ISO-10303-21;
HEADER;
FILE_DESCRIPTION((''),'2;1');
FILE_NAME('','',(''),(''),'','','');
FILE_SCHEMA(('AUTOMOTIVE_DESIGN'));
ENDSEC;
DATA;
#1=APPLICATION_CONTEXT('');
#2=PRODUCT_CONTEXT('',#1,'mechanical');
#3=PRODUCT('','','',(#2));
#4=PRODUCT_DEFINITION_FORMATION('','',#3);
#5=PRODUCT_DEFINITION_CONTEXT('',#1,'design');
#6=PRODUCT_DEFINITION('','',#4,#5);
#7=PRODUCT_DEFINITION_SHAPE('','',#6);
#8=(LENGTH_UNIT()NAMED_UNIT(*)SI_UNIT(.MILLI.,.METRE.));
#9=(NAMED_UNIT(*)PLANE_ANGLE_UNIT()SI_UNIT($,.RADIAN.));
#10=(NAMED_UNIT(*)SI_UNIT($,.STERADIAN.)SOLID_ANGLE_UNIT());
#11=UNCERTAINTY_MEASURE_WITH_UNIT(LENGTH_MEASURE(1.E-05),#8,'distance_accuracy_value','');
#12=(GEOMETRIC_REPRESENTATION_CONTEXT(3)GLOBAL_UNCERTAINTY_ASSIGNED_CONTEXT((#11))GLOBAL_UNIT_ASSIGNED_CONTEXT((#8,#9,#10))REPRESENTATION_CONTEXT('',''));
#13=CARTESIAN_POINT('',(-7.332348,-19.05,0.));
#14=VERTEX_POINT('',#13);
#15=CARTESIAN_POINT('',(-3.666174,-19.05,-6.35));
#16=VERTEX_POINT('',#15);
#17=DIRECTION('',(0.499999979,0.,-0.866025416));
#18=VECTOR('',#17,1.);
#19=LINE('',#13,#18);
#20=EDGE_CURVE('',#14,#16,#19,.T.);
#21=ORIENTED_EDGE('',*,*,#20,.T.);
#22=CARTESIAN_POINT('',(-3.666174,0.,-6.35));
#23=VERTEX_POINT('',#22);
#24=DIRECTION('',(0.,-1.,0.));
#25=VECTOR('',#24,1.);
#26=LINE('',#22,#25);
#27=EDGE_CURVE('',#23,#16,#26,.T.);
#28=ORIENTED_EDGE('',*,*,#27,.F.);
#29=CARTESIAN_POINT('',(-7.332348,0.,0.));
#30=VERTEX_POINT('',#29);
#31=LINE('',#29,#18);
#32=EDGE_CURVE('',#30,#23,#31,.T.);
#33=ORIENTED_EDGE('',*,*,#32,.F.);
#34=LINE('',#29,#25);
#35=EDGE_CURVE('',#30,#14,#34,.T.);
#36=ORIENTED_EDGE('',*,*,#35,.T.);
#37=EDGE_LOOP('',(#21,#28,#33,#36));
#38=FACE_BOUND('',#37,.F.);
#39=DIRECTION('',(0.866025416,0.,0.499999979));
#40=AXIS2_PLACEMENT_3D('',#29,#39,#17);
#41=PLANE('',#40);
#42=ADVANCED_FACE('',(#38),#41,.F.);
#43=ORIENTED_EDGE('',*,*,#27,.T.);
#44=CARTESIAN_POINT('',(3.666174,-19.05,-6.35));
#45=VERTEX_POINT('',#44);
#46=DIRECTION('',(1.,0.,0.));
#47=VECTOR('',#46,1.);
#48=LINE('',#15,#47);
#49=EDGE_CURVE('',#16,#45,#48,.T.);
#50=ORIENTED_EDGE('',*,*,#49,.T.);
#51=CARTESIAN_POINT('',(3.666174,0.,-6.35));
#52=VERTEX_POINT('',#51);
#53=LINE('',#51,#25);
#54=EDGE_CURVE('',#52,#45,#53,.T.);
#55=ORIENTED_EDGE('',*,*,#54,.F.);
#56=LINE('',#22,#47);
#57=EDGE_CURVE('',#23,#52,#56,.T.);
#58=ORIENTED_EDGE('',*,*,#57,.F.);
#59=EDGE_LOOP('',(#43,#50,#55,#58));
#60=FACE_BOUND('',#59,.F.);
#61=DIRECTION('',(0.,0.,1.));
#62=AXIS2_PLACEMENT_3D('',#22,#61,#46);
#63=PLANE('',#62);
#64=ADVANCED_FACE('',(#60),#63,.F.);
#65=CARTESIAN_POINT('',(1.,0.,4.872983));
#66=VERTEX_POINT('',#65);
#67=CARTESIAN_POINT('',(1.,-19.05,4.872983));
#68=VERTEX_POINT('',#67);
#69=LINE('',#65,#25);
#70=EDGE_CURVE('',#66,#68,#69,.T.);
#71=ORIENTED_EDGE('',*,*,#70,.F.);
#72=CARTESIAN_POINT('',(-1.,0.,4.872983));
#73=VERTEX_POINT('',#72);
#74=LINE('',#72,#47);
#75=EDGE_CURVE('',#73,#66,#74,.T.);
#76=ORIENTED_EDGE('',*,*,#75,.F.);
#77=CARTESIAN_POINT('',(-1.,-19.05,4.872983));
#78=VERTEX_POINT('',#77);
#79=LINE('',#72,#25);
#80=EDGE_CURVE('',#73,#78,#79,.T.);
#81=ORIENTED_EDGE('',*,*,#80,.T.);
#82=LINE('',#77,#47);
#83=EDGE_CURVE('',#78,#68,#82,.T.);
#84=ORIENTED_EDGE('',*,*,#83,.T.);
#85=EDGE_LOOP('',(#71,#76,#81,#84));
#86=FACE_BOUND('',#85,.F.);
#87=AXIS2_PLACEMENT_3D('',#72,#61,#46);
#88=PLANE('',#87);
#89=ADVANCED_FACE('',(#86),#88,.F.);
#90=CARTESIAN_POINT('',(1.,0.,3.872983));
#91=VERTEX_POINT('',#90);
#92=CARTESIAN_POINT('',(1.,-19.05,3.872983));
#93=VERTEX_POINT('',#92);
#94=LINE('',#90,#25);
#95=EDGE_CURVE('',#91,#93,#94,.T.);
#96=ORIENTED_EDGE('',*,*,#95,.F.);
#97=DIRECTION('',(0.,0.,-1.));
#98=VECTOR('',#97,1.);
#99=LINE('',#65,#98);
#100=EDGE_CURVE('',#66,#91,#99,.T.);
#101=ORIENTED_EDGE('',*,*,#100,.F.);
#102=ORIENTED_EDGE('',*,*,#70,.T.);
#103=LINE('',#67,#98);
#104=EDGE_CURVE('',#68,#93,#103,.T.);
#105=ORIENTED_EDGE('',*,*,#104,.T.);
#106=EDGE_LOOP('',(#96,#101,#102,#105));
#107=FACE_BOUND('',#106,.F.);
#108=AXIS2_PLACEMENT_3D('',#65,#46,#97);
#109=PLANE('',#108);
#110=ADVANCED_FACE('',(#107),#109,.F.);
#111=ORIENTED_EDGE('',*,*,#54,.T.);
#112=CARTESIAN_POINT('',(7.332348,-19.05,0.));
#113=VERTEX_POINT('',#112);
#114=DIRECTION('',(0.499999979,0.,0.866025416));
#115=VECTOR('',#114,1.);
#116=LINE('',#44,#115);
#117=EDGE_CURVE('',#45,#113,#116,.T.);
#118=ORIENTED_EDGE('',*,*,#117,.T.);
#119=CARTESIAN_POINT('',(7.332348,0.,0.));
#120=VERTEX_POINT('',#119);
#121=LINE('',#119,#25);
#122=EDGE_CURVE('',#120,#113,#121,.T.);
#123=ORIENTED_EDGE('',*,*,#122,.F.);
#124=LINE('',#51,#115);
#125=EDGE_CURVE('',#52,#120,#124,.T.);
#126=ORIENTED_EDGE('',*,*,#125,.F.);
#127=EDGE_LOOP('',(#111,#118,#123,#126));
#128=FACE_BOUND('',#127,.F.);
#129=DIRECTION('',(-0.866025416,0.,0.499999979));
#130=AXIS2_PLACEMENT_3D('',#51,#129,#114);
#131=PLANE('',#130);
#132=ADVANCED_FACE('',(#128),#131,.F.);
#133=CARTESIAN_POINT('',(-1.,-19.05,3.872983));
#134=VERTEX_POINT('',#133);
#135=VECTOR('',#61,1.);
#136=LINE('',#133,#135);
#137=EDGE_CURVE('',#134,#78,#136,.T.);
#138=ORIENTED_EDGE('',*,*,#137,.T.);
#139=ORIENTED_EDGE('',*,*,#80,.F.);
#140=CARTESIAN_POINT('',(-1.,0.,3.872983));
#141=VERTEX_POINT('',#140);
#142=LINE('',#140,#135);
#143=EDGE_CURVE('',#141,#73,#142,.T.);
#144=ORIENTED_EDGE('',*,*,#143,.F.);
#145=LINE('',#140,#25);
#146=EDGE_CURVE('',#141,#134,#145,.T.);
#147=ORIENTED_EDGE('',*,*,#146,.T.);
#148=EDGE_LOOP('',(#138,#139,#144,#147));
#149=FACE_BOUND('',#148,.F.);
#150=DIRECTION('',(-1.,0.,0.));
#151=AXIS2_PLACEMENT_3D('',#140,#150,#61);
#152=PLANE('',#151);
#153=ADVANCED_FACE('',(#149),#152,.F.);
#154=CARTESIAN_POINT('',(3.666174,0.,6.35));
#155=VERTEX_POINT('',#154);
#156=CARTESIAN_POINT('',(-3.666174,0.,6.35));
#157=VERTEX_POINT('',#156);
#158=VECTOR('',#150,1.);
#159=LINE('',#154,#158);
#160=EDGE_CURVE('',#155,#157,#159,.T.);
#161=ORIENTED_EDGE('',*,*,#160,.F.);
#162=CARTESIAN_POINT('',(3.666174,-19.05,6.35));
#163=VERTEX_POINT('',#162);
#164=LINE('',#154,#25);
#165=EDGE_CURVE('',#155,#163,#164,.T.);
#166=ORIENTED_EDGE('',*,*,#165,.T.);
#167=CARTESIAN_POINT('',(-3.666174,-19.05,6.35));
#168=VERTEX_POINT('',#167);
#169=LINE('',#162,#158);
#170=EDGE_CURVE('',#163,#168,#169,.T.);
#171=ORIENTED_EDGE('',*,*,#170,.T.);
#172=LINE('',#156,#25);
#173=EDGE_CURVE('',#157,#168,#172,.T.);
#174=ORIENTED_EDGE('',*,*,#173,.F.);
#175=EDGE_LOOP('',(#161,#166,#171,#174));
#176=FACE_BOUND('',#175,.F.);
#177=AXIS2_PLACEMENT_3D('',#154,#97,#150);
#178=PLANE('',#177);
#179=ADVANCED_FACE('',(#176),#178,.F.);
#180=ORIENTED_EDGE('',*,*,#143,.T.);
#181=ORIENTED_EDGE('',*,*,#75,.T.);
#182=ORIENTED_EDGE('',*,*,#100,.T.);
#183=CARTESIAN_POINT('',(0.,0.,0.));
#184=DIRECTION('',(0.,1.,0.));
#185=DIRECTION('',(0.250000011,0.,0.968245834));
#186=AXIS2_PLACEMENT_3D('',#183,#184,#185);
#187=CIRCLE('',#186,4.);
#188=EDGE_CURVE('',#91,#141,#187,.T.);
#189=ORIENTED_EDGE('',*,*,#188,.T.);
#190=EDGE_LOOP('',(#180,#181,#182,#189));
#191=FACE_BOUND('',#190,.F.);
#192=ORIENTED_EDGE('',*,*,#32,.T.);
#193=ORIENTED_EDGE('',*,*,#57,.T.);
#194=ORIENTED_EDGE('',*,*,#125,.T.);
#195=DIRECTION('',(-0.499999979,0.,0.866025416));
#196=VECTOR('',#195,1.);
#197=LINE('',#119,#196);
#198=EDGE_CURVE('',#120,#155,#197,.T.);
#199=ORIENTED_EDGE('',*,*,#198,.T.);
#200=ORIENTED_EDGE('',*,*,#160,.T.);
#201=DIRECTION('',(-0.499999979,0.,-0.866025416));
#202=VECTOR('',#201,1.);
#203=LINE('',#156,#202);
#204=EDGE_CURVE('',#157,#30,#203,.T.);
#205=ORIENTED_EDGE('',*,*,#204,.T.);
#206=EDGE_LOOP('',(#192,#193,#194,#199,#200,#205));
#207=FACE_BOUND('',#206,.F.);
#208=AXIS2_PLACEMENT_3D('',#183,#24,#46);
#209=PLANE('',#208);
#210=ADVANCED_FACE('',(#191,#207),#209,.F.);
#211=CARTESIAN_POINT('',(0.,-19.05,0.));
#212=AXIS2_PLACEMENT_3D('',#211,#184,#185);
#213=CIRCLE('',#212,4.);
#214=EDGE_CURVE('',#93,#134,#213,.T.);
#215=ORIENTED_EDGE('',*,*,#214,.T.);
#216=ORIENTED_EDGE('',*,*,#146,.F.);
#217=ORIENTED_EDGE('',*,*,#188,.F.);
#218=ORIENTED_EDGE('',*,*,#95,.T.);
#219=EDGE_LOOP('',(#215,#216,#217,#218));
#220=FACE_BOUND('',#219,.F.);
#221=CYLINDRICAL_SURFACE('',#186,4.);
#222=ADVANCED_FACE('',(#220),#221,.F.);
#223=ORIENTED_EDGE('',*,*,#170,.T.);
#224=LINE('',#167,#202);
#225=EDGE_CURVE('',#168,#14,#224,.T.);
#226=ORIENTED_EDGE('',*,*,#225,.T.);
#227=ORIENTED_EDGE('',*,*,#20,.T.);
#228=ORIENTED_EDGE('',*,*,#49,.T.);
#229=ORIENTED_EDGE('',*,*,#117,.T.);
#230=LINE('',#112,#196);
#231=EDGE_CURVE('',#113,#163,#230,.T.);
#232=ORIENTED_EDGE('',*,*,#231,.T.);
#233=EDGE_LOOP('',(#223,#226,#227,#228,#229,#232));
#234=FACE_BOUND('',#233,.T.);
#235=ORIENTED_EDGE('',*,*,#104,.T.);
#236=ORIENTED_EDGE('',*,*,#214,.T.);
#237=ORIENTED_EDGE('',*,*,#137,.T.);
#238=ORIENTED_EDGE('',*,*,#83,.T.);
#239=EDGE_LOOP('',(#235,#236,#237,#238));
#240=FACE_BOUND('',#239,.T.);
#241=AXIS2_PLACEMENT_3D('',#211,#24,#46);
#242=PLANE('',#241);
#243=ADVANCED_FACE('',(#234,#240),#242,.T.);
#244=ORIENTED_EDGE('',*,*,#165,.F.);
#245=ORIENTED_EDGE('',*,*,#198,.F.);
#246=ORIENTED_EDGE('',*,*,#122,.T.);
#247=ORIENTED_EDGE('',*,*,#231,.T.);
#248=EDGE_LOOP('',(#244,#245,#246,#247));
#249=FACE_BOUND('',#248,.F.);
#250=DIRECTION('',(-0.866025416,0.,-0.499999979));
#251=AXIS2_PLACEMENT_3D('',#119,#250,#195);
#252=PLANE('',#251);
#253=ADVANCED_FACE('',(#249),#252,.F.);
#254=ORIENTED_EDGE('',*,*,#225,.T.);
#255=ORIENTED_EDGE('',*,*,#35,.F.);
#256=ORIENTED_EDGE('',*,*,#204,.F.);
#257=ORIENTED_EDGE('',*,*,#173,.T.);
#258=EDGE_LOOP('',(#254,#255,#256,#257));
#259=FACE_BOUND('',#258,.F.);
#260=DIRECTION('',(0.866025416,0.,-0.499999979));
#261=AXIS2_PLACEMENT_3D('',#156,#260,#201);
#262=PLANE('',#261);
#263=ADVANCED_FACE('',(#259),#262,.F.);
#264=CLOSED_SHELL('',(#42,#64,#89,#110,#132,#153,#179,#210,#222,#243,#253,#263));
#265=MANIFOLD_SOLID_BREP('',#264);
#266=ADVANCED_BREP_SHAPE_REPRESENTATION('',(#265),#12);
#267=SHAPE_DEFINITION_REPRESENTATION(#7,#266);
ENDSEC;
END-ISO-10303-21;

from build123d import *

# Parameters (mm, degrees)
F1_DEPTH = 19.05


with BuildPart() as f1:
    # F0 (on Front) → F1 (new body)
    with BuildSketch(Plane.XZ):
        Polygon((3.666174, 6.35), (-3.666174, 6.35), (-7.332348, 0), (-3.666174, -6.35), (3.666174, -6.35), (7.332348, 0), align=None)
        with BuildLine():
            ThreePointArc((1, 3.872983), (0, -4), (-1, 3.872983))
            Line((-1, 3.872983), (-1, 4.872983))
            Line((-1, 4.872983), (1, 4.872983))
            Line((1, 4.872983), (1, 3.872983))
        make_face(mode=Mode.SUBTRACT)
    extrude(amount=F1_DEPTH)


solid = f1.part
